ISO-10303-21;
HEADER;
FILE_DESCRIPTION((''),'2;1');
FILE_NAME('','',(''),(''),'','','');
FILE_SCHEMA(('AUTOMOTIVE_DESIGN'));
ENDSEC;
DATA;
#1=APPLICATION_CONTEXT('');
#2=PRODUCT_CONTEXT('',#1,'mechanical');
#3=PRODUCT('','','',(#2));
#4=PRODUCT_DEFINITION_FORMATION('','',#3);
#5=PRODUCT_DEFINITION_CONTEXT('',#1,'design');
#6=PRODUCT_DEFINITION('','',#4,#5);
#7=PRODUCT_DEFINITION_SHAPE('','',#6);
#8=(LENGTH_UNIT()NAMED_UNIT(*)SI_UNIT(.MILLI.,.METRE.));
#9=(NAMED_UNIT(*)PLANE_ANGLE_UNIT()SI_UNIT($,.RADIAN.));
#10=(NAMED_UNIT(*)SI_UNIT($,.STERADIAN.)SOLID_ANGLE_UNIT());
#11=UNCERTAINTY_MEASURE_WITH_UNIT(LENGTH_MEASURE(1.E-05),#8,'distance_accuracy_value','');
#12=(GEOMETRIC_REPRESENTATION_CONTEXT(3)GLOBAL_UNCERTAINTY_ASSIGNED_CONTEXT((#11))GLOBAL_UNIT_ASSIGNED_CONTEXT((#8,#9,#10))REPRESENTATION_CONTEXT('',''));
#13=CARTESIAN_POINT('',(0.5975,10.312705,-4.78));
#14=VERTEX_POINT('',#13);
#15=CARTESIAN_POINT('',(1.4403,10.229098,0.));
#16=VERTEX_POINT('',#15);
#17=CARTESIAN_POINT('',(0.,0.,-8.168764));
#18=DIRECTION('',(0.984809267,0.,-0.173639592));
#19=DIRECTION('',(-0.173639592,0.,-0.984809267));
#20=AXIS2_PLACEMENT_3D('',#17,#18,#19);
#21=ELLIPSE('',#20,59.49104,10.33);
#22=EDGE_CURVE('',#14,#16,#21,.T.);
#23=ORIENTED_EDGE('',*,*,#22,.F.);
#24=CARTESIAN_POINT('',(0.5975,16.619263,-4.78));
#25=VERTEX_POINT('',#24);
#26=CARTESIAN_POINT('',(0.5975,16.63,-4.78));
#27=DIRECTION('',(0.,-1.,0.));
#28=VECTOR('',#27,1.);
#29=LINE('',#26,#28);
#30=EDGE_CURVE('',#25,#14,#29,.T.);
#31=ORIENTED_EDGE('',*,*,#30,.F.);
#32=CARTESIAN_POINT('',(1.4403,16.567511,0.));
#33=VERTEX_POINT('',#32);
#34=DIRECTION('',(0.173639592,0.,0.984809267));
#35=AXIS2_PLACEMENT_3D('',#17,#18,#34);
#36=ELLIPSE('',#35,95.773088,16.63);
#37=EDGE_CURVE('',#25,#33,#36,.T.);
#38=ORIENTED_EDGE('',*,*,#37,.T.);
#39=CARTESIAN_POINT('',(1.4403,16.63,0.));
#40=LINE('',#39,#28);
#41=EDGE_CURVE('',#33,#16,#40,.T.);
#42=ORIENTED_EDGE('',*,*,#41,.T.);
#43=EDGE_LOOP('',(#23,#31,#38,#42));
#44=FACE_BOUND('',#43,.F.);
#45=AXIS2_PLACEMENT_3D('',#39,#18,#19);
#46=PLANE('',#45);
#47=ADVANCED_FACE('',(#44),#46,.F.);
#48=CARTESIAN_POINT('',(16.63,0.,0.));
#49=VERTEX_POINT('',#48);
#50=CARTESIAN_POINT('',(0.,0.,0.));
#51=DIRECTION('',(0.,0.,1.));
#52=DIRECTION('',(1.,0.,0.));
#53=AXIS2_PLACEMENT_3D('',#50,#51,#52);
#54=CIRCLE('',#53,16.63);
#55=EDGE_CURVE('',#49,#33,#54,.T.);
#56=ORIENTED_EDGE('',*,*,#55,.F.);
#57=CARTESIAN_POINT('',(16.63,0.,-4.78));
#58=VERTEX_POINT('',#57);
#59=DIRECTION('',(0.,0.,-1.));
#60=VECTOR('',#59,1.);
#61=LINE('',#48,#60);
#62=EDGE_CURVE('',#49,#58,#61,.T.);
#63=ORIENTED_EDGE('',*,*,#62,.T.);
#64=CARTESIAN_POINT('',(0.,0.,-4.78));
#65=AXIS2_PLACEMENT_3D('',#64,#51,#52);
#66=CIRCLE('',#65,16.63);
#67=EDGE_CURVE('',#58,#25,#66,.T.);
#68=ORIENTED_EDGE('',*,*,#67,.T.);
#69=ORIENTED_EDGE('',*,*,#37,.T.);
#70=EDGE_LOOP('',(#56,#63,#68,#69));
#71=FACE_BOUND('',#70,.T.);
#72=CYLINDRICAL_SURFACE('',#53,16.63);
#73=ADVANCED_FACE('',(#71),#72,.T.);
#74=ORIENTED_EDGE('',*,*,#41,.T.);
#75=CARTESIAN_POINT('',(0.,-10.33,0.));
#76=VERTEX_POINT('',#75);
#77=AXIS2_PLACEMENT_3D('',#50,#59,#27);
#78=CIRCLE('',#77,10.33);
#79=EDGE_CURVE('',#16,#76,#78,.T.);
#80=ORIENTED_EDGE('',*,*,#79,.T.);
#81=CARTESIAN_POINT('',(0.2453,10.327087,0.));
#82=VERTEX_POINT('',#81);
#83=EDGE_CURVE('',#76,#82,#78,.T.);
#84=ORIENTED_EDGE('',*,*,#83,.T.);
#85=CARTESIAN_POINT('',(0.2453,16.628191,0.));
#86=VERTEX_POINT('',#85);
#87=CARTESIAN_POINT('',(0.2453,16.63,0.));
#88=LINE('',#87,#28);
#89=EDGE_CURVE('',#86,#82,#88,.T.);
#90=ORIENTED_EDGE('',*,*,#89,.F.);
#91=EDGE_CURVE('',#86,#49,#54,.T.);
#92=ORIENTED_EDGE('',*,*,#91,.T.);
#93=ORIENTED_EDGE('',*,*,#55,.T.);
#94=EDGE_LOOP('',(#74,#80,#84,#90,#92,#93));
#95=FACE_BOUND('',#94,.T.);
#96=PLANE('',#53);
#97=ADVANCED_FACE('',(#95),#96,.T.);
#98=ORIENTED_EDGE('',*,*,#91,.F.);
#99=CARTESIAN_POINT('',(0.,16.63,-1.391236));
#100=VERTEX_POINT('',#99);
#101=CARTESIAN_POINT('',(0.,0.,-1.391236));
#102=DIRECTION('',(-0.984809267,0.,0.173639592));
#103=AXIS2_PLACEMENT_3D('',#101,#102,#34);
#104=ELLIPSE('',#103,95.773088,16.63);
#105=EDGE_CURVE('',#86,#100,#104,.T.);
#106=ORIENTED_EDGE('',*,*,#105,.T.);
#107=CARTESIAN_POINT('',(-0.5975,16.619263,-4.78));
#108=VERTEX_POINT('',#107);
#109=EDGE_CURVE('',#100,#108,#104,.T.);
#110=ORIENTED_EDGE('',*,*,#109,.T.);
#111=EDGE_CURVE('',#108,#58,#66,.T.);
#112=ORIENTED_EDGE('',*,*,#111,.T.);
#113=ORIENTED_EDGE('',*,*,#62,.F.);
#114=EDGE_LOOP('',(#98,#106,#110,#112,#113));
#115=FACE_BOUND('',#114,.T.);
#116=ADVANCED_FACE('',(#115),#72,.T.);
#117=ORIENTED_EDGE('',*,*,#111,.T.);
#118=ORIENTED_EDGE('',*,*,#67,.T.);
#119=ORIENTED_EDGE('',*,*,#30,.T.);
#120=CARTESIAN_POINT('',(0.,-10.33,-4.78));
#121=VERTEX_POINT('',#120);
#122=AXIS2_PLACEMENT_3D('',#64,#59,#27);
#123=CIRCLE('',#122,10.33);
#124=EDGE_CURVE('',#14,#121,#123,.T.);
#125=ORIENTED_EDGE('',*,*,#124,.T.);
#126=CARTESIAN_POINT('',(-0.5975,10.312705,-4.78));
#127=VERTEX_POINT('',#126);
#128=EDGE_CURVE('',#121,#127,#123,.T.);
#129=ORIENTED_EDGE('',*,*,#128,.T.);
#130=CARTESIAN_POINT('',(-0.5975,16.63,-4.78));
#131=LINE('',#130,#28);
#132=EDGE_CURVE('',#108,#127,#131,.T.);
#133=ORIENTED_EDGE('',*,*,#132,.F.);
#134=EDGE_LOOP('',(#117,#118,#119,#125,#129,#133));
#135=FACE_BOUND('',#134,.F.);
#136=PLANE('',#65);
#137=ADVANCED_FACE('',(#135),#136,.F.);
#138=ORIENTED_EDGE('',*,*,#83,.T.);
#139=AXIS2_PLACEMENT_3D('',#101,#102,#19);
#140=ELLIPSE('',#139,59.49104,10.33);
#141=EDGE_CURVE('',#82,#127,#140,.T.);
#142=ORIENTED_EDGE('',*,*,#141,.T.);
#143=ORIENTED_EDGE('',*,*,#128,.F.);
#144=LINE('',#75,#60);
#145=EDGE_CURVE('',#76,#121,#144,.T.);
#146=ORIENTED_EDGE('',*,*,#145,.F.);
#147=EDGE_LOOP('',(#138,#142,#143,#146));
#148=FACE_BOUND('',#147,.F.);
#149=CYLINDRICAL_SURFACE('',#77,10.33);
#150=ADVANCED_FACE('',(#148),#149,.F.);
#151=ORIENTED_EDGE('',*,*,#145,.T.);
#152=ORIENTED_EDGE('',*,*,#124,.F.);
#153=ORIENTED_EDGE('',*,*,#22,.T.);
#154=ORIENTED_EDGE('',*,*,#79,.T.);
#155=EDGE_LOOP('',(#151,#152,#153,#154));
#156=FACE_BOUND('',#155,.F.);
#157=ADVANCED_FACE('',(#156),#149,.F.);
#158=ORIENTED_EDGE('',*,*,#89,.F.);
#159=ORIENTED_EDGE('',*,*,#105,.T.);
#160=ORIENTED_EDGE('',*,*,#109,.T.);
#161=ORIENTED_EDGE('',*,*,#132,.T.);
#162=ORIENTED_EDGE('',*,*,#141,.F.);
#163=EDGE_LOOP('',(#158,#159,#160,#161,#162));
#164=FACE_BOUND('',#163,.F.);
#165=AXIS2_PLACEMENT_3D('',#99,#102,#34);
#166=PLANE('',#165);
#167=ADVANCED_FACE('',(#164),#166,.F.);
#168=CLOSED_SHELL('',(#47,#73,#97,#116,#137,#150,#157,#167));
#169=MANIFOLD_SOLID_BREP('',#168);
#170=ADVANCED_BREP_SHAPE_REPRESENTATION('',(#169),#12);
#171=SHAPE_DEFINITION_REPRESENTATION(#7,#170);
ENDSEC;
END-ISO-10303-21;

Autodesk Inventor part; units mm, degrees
ref_plane "WorkPlane1" through (0, 0, 0) normal (0, 0, 1) x (1, 0, 0)
ref_plane "WorkPlane3" through (0, 0, -4.78) normal (0, 0, 1) x (1, 0, 0)
ref_plane "Work Plane3" through (0, -16.63, 0) normal (0, 1, 0) x (-1, 0, 0)
ref_plane "WorkPlane10" through (0, 16.63, 0) normal (0, 1, 0) x (-1, 0, 0)
sketch "Sketch1" plane through (0, 0, 0) normal (0, 0, 1) x (1, 0, 0)
  point P0 (0, 0)
sketch "Sketch2" plane through (0, 0, 0) normal (0, 0, 1) x (1, 0, 0)
  circle A0 centre (0, 0) radius 16.63
  dimension "d3" = 33.26
extrude "Extrusion1" add sketch "Sketch2" against normal blind 4.78
sketch "Sketch3" plane through (0, 0, -4.78) normal (0, 0, 1) x (1, 0, 0)
  point P0 (0, 0)
sketch "Sketch4" plane through (0, 0, 0) normal (0, 0, 1) x (1, 0, 0)
  circle A0 centre (0, 0) radius 16.63 projected
hole "Hole1" at (0, 0, 0) direction (0, 0, -1) diameter 20.66 end through all
sketch "Sketch5" plane through (0, 16.63, 0) normal (0, 1, 0) x (-1, 0, 0)
  line L0 (-0.2453, 0) -> (-1.4403, 0)
  line L1 (0.5975, -4.78) -> (-0.2453, 0)
  line L2 (-0.5975, -4.78) -> (0.5975, -4.78)
  line L3 (-1.4403, 0) -> (-0.5975, -4.78)
  line L4 (-10.33, 0) -> (10.33, 0) construction
  line L5 (16.63, -4.78) -> (-16.63, -4.78) construction
  line L6 (0, -5.736) -> (0, 0.956) projected
  dimension "d15" = 80
  dimension "d18" = 0.5975
  dimension "d19" = 0.5975
extrude "Extrusion2" cut sketch "Sketch5" against normal blind 16.63
ref_plane "MSC_PT1" through (0, 0, 0) normal (0, 0, 1) x (1, 0, 0)
ref_plane "MSC_PT2" through (0, 0, -4.78) normal (0, 0, -1) x (-1, 0, 0)
equation "\"d7\" = Diam1"
equation "\"d4\" = ParH"
equation "\"d18\" = 0.125 * ParH"
equation "\"d19\" = 0.125 * ParH"
equation "\"d16\" = 0.5 * Diam2"
equation "\"d3\" = Diam2"
equation "\"Diam2\" = 33.26"
equation "\"ParH\" = 4.78"
equation "\"Diam1\" = 20.66"
equation "\"d20\" = 0.5 * Diam2"
properties part number "ASME B18.21.2M - 20" material "Steel, Mild"
